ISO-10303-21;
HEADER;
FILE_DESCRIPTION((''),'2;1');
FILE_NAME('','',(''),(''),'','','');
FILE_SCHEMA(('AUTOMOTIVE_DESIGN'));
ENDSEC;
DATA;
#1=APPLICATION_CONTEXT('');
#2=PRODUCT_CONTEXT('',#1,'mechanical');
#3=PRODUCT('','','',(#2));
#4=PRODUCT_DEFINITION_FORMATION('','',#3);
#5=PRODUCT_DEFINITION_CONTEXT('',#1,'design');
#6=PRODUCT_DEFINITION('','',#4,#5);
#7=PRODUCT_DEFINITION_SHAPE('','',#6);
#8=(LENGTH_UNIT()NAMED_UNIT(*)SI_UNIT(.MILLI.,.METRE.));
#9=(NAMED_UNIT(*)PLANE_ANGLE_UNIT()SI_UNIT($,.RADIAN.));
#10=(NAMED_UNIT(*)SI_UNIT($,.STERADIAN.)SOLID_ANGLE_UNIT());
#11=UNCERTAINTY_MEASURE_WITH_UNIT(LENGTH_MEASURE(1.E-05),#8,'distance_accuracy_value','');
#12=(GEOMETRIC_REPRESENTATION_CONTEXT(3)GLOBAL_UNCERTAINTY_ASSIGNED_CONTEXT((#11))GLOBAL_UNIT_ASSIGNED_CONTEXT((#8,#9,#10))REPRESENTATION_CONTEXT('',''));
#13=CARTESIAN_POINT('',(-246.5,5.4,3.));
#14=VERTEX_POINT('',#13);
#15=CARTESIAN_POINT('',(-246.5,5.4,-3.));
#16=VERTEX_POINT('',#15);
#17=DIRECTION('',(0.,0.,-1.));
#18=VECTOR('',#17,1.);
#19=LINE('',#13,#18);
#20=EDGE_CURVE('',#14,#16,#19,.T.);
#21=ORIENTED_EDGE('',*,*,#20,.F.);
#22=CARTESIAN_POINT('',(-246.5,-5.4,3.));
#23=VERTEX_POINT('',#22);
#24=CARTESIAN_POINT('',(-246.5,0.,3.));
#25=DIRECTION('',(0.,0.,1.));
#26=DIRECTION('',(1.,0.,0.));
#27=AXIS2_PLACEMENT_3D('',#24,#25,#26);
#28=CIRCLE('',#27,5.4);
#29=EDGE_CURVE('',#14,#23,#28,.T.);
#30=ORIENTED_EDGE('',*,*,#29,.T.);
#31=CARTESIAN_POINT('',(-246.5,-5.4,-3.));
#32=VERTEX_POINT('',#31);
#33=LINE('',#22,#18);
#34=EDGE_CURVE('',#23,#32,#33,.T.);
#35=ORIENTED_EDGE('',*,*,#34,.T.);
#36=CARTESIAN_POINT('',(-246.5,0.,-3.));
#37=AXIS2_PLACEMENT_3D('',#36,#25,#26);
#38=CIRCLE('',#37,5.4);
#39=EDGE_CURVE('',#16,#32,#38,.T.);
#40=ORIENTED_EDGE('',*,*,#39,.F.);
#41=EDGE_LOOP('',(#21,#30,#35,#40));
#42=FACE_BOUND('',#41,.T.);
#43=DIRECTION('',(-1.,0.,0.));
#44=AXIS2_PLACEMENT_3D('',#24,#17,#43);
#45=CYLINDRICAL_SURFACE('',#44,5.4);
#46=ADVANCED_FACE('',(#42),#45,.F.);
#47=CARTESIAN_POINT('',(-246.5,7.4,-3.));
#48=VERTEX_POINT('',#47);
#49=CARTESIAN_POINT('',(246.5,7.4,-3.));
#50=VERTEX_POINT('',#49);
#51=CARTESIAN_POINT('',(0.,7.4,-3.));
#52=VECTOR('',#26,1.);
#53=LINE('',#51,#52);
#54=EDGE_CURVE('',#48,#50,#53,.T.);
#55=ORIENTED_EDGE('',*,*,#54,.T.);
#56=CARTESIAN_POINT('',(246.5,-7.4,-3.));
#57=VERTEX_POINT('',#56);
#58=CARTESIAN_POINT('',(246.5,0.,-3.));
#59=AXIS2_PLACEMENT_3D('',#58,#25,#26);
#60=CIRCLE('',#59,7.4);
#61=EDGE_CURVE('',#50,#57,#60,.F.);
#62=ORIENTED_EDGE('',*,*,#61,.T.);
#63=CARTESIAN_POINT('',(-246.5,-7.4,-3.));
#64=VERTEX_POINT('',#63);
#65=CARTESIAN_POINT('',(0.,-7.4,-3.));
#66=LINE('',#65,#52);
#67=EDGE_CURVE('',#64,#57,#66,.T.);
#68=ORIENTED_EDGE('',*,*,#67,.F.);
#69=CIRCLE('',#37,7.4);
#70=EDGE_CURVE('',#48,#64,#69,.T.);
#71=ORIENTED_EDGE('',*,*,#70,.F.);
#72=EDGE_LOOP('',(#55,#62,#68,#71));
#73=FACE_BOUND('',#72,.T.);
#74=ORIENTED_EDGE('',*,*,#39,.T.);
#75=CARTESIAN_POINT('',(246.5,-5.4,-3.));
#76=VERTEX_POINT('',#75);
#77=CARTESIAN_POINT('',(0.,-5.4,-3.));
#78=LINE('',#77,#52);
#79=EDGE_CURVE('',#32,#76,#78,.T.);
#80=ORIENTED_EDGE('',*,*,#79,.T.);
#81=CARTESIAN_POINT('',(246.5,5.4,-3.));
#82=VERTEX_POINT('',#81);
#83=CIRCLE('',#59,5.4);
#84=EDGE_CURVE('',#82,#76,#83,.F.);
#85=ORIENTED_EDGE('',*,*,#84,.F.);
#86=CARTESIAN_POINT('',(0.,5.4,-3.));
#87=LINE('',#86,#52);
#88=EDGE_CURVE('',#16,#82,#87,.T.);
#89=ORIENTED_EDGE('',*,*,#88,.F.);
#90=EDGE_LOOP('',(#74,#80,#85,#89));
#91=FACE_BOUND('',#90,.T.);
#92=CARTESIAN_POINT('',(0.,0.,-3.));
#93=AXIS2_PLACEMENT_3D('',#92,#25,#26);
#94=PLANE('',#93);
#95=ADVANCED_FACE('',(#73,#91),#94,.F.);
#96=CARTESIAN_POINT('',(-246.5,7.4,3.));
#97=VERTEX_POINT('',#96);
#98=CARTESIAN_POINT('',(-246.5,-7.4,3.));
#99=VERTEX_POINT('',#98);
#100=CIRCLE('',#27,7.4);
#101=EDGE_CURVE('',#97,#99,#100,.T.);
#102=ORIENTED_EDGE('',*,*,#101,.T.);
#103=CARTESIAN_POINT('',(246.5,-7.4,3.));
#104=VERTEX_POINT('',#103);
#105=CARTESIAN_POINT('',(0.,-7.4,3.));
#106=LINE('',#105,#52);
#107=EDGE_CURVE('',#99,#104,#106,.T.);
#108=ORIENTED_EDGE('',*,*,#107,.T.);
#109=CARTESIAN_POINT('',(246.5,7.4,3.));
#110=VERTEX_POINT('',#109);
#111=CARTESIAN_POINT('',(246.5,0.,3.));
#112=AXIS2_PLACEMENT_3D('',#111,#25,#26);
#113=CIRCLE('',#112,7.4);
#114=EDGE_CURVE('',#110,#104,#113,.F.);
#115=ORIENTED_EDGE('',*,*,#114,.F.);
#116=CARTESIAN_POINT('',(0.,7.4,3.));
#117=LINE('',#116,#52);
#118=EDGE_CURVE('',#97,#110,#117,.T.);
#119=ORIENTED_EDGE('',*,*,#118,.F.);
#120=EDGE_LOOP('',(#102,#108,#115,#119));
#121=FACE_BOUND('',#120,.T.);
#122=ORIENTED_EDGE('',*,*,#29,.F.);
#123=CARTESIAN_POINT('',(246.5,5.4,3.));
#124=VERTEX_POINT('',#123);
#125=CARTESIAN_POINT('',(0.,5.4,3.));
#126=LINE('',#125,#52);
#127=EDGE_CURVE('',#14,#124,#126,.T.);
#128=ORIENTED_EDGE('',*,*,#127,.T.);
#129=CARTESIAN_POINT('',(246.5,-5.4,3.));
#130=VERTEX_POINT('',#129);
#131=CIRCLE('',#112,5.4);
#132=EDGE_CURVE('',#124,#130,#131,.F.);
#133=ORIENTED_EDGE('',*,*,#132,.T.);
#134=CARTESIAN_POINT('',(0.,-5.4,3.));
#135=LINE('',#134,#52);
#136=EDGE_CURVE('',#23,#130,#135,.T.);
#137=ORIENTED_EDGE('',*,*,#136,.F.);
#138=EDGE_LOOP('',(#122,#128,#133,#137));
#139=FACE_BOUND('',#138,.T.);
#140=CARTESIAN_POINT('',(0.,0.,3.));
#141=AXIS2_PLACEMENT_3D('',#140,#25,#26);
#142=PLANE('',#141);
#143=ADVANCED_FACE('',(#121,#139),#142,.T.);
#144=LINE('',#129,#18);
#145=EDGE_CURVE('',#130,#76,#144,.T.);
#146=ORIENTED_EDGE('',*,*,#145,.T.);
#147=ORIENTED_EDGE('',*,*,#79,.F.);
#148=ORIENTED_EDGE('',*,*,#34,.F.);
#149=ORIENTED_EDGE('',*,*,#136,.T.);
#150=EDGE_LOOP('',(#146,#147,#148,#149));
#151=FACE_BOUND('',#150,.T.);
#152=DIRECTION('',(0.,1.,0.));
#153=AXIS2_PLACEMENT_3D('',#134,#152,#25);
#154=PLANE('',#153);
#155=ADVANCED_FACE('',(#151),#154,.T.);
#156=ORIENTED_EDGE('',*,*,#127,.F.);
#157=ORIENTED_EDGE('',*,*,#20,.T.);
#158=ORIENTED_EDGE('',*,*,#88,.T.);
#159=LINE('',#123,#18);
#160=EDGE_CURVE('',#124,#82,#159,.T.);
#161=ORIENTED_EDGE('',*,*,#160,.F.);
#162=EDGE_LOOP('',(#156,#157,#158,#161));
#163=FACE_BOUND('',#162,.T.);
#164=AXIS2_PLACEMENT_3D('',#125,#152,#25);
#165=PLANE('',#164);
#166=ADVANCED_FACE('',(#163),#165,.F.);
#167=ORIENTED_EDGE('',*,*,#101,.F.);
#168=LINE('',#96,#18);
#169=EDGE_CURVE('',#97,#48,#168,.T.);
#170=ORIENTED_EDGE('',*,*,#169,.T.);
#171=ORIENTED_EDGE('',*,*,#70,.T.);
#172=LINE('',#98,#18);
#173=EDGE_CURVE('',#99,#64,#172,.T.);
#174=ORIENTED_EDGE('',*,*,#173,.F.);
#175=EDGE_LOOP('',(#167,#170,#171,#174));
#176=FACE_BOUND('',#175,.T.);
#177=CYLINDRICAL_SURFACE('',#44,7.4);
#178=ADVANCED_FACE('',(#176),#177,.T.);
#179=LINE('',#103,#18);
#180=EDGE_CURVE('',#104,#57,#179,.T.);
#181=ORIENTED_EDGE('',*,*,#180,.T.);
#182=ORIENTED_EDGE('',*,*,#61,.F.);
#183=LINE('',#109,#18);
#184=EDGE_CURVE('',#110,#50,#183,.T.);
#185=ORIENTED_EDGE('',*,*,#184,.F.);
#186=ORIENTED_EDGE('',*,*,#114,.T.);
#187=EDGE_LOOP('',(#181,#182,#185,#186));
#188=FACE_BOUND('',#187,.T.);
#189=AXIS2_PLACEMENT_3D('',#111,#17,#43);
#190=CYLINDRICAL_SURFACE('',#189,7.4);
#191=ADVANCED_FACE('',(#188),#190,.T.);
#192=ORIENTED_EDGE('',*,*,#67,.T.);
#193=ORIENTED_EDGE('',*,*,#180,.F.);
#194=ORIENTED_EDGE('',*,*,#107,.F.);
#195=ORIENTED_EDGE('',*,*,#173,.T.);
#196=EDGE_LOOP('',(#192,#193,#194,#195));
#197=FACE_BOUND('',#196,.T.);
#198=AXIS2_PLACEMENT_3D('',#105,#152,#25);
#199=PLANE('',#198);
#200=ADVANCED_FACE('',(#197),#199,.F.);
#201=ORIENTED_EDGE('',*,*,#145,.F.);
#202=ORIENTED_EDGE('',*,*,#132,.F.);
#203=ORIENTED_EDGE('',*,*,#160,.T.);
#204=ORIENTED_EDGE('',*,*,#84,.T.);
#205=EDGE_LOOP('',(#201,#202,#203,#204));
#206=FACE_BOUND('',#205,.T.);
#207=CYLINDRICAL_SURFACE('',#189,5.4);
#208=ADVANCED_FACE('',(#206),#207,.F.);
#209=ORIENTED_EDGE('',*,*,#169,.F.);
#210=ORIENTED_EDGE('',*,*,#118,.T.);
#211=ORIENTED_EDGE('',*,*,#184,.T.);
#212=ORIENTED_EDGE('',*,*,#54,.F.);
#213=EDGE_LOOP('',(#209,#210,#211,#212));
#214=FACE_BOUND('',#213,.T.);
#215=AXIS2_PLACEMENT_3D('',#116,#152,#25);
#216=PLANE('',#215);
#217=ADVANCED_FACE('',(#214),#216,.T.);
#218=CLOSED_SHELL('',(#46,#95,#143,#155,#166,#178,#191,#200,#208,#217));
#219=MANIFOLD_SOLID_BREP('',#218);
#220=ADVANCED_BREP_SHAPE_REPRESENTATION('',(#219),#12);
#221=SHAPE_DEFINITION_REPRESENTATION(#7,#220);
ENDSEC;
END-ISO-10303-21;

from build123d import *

# Parameters (mm, degrees)
RESSALTO_EXTRUS_O1_DEPTH = 3


with BuildPart() as part:
    # Esboço1 → Ressalto-extrusão1 (new, symmetric)
    with BuildSketch(Plane.XY):
        with BuildLine():
            ThreePointArc((246.5, -7.4), (253.9, 0), (246.5, 7.4))
            Line((246.5, 7.4), (-246.5, 7.4))
            ThreePointArc((-246.5, 7.4), (-253.9, 0), (-246.5, -7.4))
            Line((-246.5, -7.4), (246.5, -7.4))
        make_face()
        with BuildLine():
            Line((-246.5, 5.4), (246.5, 5.4))
            ThreePointArc((246.5, 5.4), (251.9, 0), (246.5, -5.4))
            Line((246.5, -5.4), (-246.5, -5.4))
            ThreePointArc((-246.5, -5.4), (-251.9, 0), (-246.5, 5.4))
        make_face(mode=Mode.SUBTRACT)
    extrude(amount=RESSALTO_EXTRUS_O1_DEPTH, both=True)


solid = part.part
